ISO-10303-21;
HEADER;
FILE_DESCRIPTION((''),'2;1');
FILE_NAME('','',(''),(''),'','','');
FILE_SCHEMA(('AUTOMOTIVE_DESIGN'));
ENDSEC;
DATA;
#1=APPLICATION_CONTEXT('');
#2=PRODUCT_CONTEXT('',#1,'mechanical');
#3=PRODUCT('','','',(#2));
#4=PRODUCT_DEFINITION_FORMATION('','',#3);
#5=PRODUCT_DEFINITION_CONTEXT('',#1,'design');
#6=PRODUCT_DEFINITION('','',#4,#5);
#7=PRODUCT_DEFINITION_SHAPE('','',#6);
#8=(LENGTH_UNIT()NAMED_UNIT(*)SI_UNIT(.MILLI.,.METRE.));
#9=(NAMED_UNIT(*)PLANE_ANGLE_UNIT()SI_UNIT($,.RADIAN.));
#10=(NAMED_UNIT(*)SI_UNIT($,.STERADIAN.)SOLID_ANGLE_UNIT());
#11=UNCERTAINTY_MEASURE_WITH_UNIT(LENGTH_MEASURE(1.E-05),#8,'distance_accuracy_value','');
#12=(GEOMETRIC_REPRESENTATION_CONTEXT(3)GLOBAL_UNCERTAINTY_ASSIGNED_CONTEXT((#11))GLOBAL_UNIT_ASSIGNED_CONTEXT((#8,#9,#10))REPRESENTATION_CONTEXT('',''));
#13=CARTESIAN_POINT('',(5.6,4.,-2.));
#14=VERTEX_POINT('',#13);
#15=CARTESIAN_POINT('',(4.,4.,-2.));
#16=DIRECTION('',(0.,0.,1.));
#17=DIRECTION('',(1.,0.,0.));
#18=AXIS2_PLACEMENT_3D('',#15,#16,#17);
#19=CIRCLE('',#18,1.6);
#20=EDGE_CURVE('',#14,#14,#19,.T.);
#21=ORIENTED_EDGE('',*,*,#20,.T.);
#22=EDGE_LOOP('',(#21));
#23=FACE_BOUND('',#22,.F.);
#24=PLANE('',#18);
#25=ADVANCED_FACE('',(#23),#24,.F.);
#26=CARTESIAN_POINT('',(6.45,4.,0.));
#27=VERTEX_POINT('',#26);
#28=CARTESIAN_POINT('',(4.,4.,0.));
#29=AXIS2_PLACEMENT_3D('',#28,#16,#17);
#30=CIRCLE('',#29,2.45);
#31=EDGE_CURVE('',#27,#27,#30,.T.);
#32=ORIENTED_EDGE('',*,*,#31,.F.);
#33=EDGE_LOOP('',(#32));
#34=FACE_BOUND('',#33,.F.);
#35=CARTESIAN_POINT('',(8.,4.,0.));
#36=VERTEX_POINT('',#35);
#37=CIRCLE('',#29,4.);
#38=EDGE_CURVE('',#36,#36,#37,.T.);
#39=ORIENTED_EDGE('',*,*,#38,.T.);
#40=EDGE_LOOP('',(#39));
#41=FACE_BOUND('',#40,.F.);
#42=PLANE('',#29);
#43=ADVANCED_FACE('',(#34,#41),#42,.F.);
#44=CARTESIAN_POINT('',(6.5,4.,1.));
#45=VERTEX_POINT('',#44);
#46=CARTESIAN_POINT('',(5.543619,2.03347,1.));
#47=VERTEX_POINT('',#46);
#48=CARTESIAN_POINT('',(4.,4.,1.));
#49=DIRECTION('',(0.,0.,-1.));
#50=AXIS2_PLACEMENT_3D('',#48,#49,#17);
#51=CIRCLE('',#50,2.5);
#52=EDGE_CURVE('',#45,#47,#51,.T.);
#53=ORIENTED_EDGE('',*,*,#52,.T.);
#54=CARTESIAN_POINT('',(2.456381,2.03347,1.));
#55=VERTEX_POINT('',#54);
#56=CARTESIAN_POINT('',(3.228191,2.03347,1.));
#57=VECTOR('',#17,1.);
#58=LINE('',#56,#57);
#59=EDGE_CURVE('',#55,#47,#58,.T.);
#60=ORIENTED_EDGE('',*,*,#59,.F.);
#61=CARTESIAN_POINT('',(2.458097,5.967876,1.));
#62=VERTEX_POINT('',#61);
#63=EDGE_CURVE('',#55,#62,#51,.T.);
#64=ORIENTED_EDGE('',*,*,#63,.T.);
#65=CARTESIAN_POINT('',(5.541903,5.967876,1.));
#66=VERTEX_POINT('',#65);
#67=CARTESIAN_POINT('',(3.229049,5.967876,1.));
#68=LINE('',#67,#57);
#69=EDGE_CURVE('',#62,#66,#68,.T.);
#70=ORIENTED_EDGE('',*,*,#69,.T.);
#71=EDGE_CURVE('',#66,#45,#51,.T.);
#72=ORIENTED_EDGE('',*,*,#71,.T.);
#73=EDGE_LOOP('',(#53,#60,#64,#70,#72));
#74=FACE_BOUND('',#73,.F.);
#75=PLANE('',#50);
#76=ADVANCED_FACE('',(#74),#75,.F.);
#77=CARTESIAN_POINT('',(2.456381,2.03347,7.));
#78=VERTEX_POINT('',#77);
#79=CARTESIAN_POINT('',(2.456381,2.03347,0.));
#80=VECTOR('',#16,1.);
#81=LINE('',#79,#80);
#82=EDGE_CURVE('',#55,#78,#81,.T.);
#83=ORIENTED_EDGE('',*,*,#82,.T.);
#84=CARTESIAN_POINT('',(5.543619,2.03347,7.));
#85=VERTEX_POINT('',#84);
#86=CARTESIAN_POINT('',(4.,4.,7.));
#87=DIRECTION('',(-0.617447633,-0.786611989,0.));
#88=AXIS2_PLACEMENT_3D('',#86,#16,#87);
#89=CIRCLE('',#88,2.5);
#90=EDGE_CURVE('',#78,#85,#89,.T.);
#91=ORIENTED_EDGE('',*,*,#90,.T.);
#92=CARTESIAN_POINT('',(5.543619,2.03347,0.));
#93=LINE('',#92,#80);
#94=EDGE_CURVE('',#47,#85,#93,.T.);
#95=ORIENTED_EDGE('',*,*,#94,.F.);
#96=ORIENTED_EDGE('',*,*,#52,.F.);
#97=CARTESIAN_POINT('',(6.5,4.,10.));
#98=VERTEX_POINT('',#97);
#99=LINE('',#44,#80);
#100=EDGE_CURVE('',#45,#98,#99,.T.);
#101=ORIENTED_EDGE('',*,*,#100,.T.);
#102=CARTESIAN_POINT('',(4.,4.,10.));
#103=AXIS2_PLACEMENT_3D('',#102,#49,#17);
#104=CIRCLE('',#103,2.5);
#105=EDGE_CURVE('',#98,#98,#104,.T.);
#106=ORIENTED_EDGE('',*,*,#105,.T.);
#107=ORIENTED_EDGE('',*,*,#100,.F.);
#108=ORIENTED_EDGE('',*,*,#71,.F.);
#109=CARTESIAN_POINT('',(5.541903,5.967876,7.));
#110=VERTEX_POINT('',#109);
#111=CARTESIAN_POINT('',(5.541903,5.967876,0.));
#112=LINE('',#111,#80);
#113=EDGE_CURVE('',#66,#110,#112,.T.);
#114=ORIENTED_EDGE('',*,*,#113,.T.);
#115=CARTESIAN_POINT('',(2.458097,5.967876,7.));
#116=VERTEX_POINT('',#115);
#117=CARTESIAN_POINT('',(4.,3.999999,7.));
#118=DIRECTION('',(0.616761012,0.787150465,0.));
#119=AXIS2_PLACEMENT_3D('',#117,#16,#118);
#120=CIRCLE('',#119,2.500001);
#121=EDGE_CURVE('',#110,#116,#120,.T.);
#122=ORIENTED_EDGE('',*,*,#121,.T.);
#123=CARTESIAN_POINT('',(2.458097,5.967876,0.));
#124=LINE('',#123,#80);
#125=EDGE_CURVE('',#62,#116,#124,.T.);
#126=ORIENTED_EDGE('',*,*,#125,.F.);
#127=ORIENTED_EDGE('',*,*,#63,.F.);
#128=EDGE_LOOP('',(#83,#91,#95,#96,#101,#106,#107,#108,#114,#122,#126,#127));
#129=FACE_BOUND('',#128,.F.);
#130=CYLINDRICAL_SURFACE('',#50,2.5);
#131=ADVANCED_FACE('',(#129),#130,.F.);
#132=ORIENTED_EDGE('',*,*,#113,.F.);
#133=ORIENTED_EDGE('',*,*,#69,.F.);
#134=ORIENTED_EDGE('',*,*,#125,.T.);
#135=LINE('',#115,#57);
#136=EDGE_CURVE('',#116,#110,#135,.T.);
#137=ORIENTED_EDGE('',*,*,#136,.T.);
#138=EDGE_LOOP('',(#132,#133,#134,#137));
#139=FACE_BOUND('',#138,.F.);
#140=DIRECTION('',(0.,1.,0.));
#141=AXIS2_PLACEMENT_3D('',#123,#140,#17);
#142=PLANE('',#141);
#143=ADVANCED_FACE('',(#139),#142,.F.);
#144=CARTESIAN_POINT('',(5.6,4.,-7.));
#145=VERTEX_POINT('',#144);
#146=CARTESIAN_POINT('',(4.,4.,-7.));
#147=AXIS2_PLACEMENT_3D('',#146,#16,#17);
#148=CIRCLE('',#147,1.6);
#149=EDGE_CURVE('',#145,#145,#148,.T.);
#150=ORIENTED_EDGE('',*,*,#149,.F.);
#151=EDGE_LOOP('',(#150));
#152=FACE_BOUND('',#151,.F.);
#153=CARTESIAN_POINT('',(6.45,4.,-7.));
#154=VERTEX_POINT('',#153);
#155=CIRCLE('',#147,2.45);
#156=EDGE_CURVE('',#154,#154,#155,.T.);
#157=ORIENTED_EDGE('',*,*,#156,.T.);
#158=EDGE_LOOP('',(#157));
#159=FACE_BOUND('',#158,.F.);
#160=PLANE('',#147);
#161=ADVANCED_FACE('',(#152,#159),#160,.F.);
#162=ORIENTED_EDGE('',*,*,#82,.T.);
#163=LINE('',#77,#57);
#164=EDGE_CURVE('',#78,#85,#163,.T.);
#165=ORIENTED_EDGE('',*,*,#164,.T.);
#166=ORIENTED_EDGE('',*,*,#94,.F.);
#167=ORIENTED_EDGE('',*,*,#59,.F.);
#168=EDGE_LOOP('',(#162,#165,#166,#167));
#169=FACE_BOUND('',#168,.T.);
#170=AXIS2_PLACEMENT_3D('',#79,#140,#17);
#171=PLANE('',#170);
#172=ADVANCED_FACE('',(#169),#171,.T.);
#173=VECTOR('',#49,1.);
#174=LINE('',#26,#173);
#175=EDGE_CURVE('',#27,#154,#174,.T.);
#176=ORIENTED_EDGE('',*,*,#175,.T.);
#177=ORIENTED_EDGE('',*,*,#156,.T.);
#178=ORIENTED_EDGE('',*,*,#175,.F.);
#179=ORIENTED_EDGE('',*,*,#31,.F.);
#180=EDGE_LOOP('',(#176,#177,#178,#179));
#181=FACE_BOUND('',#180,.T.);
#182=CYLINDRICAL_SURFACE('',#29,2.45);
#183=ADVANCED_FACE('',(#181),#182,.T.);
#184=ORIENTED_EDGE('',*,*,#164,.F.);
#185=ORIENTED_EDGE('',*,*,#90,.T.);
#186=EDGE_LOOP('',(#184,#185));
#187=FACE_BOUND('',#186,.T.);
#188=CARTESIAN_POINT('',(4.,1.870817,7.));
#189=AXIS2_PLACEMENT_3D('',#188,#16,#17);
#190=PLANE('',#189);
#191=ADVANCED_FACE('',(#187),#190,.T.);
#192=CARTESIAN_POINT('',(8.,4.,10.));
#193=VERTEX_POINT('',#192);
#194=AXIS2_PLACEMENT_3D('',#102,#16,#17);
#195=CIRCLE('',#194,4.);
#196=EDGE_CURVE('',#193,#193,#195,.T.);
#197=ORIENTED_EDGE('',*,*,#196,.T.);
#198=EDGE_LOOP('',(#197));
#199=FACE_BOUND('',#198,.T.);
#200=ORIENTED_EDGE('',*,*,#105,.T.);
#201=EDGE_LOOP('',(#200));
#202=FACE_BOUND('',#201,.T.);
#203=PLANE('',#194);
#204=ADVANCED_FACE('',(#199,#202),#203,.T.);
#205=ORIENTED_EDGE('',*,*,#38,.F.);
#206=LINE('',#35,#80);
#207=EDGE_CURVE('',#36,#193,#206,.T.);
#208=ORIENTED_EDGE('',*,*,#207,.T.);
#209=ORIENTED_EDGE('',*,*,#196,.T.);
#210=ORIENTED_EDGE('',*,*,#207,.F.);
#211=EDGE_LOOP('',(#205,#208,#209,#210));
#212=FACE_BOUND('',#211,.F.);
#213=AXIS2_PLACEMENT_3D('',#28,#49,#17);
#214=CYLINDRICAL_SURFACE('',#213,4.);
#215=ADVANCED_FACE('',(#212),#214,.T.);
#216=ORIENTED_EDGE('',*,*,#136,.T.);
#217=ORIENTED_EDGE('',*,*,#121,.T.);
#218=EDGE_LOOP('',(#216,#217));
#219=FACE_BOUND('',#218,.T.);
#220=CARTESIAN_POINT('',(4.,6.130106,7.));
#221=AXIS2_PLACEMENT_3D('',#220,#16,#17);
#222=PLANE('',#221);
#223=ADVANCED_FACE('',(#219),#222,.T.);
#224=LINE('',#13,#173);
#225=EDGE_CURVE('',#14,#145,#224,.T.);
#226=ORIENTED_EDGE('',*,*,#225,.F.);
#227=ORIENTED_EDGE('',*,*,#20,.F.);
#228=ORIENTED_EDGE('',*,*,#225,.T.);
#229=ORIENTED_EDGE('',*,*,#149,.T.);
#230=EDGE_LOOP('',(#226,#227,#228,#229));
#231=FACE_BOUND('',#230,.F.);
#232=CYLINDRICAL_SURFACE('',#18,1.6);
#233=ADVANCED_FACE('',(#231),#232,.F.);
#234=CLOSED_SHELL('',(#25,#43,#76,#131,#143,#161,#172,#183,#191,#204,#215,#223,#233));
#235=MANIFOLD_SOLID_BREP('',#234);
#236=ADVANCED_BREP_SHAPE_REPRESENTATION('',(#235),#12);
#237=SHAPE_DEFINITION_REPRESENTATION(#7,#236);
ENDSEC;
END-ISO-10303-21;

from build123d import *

# Parameters (mm, degrees)
SKETCH007_R     = 2.45
PAD007_DEPTH    = 7
POCKET_START    = -2
SKETCH008_R     = 1.6
POCKET_DEPTH    = 6
SKETCH_R        = 4
PAD_DEPTH       = 10
POCKET001_START = -16
SKETCH010_R     = 2.5
POCKET001_DEPTH = 9
PAD008_DEPTH    = 7


with BuildPart() as part:
    # Sketch007 → Pad007 (new body)
    with BuildSketch(Plane.XY):
        with Locations((4, 4)):
            Circle(SKETCH007_R)
    extrude(amount=-PAD007_DEPTH)

    # Sketch008 → Pocket (cut)
    with BuildSketch(Plane.XY.offset(POCKET_START)):
        with Locations((4, 4)):
            Circle(SKETCH008_R)
    extrude(amount=-POCKET_DEPTH, mode=Mode.SUBTRACT)

    # Sketch → Pad (join)
    with BuildSketch(Plane.XY):
        with Locations((4, 4)):
            Circle(SKETCH_R)
    extrude(amount=PAD_DEPTH)

    # Sketch010 → Pocket001 (cut)
    with BuildSketch(Plane(origin=(0, 0, -15), x_dir=(1, 0, 0), z_dir=(0, 0, -1)).offset(POCKET001_START)):
        with Locations((4, -4)):
            Circle(SKETCH010_R)
    extrude(amount=-POCKET001_DEPTH, mode=Mode.SUBTRACT)

    # Sketch009 → Pad008 (join)
    with BuildSketch(Plane.XY):
        with BuildLine():
            ThreePointArc((5.541903, 5.967876), (4, 6.5), (2.458097, 5.967876))
            Line((2.458097, 5.967876), (5.541903, 5.967876))
        make_face()
        with BuildLine():
            ThreePointArc((2.456381, 2.03347), (4, 1.5), (5.543619, 2.03347))
            Line((2.456381, 2.03347), (5.543619, 2.03347))
        make_face()
    extrude(amount=PAD008_DEPTH)


solid = part.part
